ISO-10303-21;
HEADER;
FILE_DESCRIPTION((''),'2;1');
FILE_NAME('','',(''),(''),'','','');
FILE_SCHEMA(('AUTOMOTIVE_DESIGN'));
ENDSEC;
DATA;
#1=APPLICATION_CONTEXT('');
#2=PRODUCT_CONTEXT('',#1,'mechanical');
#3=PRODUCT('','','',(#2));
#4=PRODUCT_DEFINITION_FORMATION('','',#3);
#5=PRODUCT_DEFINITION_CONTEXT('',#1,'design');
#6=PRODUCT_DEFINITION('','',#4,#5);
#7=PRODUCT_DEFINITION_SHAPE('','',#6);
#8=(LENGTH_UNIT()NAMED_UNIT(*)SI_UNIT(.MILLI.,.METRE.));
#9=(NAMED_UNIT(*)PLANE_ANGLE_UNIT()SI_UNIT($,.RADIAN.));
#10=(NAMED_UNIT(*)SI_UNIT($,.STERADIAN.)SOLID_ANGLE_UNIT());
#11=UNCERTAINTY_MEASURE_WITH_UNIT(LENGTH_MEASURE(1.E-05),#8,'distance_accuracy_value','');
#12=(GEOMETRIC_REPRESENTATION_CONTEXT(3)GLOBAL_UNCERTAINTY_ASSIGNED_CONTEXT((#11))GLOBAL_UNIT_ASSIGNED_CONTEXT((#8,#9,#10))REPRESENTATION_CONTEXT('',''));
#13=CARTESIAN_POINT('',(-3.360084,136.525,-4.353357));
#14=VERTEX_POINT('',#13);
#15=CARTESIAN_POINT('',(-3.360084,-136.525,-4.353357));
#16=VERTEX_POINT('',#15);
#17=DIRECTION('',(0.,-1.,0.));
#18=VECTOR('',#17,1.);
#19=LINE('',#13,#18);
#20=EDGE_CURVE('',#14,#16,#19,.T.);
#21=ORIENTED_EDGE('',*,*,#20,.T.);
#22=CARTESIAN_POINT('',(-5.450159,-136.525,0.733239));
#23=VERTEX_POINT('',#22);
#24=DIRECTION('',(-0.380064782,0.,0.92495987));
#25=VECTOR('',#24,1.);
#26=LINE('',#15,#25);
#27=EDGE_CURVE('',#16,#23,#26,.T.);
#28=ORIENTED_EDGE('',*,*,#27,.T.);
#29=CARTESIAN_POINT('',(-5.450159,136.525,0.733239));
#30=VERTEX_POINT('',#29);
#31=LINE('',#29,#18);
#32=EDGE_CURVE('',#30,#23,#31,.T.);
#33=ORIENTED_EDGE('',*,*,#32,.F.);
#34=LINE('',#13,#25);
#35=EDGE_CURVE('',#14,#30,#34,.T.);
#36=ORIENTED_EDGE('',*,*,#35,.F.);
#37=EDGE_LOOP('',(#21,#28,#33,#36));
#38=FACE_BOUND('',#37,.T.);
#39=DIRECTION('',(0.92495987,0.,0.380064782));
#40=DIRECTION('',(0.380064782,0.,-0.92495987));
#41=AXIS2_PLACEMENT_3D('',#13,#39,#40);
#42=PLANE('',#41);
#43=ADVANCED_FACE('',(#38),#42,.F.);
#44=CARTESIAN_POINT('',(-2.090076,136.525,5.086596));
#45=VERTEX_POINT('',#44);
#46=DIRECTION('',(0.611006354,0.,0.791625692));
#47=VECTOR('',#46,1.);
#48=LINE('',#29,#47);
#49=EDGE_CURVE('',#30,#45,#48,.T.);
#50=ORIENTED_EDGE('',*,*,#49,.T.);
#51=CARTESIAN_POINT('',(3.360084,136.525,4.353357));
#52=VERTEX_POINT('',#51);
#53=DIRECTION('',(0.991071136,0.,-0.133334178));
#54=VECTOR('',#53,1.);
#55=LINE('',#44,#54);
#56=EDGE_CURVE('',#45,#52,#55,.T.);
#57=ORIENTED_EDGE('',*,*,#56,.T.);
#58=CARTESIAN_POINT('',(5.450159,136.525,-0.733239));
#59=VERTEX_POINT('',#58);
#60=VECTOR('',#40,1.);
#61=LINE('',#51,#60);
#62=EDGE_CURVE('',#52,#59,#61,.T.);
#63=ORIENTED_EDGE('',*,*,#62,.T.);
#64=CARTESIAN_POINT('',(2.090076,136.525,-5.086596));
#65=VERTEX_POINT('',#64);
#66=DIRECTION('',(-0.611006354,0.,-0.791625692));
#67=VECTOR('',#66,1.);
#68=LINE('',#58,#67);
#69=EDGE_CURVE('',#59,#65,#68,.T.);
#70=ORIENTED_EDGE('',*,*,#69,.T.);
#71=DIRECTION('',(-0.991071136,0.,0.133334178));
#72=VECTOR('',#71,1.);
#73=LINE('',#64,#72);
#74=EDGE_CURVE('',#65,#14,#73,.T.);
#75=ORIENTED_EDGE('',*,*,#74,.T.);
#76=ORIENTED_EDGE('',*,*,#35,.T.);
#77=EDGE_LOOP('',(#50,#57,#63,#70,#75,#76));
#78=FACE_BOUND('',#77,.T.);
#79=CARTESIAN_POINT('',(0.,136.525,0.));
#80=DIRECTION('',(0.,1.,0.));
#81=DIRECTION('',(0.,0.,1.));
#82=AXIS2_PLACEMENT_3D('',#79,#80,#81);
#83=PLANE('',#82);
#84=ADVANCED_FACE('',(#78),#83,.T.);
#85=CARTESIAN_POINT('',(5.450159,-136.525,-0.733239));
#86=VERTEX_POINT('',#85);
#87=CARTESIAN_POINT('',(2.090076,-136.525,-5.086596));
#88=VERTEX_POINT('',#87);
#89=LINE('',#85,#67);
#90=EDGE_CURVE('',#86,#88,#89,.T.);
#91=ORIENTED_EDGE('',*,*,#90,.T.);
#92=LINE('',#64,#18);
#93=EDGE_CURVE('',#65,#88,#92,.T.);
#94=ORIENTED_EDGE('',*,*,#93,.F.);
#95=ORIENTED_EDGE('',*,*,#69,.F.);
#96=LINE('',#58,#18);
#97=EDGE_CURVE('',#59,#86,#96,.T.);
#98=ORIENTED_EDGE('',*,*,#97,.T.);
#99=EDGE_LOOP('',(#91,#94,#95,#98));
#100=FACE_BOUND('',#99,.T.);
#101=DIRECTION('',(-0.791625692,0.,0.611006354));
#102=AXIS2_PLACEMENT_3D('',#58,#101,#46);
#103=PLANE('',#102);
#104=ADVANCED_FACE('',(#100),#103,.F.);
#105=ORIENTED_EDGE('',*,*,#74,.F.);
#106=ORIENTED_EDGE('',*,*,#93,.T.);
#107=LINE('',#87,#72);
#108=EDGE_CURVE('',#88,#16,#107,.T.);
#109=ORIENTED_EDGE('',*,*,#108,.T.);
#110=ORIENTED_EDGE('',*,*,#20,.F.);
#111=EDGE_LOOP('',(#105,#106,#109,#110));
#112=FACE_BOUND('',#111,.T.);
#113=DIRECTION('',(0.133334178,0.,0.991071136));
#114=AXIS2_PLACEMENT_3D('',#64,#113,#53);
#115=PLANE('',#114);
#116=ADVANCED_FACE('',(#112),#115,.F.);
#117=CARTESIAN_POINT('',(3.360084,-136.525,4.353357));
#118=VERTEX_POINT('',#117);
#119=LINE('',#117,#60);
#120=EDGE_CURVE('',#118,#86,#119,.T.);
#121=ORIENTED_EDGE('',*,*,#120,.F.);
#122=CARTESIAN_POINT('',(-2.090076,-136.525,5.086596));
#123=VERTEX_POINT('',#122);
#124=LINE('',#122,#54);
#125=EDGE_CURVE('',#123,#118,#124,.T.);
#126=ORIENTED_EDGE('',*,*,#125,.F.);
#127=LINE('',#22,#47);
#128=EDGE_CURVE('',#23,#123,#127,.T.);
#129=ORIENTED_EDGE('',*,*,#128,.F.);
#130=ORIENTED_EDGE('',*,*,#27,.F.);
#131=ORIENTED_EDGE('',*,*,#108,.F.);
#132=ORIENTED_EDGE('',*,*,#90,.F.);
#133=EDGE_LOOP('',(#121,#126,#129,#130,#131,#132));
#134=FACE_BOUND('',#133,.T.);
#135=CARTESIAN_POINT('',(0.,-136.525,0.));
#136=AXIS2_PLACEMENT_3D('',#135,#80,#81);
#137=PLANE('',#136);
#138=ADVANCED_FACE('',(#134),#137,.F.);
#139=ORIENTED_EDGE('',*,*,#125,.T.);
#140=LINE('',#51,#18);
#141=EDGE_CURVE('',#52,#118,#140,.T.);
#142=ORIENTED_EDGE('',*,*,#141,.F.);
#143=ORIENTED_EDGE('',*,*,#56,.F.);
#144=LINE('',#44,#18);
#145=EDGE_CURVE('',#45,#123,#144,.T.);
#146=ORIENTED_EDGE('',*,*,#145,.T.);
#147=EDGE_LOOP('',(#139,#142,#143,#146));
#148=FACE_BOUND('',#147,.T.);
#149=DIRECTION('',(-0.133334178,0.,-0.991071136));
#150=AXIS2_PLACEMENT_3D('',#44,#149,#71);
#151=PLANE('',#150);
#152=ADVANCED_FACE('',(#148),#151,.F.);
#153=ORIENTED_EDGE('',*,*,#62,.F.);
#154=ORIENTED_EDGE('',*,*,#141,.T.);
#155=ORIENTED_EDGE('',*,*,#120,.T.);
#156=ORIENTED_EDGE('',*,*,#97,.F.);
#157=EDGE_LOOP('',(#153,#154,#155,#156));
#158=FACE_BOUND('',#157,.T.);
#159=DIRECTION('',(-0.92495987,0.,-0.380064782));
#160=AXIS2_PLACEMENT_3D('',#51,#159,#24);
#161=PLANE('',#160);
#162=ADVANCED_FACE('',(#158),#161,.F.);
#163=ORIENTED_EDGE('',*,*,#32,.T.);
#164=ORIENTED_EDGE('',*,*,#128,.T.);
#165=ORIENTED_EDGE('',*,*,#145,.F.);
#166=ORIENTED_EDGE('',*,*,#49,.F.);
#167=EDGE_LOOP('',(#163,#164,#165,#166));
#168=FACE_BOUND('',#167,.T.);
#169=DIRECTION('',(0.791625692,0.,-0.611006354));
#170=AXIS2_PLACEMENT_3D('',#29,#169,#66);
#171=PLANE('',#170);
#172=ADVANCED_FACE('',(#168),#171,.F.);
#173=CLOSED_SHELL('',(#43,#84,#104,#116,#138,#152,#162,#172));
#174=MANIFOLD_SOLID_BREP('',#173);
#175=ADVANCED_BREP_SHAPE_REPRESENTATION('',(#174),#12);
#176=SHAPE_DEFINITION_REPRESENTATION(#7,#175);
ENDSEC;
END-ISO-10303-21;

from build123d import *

# Parameters (mm, degrees)
BOSS_EXTRUDE1_DEPTH = 136.525


with BuildPart() as part:
    # Sketch1 → Boss-Extrude1 (new, symmetric)
    with BuildSketch(Plane(origin=(0, 0, 0), x_dir=(1, 0, 0), z_dir=(0, 1, 0))):
        Polygon((3.360083604, -4.353356541), (5.450159158, 0.733239489), (2.090075554, 5.08659603), (-3.360083604, 4.353356541), (-5.450159158, -0.733239489), (-2.090075554, -5.08659603), align=None)
    extrude(amount=BOSS_EXTRUDE1_DEPTH, both=True)


solid = part.part
